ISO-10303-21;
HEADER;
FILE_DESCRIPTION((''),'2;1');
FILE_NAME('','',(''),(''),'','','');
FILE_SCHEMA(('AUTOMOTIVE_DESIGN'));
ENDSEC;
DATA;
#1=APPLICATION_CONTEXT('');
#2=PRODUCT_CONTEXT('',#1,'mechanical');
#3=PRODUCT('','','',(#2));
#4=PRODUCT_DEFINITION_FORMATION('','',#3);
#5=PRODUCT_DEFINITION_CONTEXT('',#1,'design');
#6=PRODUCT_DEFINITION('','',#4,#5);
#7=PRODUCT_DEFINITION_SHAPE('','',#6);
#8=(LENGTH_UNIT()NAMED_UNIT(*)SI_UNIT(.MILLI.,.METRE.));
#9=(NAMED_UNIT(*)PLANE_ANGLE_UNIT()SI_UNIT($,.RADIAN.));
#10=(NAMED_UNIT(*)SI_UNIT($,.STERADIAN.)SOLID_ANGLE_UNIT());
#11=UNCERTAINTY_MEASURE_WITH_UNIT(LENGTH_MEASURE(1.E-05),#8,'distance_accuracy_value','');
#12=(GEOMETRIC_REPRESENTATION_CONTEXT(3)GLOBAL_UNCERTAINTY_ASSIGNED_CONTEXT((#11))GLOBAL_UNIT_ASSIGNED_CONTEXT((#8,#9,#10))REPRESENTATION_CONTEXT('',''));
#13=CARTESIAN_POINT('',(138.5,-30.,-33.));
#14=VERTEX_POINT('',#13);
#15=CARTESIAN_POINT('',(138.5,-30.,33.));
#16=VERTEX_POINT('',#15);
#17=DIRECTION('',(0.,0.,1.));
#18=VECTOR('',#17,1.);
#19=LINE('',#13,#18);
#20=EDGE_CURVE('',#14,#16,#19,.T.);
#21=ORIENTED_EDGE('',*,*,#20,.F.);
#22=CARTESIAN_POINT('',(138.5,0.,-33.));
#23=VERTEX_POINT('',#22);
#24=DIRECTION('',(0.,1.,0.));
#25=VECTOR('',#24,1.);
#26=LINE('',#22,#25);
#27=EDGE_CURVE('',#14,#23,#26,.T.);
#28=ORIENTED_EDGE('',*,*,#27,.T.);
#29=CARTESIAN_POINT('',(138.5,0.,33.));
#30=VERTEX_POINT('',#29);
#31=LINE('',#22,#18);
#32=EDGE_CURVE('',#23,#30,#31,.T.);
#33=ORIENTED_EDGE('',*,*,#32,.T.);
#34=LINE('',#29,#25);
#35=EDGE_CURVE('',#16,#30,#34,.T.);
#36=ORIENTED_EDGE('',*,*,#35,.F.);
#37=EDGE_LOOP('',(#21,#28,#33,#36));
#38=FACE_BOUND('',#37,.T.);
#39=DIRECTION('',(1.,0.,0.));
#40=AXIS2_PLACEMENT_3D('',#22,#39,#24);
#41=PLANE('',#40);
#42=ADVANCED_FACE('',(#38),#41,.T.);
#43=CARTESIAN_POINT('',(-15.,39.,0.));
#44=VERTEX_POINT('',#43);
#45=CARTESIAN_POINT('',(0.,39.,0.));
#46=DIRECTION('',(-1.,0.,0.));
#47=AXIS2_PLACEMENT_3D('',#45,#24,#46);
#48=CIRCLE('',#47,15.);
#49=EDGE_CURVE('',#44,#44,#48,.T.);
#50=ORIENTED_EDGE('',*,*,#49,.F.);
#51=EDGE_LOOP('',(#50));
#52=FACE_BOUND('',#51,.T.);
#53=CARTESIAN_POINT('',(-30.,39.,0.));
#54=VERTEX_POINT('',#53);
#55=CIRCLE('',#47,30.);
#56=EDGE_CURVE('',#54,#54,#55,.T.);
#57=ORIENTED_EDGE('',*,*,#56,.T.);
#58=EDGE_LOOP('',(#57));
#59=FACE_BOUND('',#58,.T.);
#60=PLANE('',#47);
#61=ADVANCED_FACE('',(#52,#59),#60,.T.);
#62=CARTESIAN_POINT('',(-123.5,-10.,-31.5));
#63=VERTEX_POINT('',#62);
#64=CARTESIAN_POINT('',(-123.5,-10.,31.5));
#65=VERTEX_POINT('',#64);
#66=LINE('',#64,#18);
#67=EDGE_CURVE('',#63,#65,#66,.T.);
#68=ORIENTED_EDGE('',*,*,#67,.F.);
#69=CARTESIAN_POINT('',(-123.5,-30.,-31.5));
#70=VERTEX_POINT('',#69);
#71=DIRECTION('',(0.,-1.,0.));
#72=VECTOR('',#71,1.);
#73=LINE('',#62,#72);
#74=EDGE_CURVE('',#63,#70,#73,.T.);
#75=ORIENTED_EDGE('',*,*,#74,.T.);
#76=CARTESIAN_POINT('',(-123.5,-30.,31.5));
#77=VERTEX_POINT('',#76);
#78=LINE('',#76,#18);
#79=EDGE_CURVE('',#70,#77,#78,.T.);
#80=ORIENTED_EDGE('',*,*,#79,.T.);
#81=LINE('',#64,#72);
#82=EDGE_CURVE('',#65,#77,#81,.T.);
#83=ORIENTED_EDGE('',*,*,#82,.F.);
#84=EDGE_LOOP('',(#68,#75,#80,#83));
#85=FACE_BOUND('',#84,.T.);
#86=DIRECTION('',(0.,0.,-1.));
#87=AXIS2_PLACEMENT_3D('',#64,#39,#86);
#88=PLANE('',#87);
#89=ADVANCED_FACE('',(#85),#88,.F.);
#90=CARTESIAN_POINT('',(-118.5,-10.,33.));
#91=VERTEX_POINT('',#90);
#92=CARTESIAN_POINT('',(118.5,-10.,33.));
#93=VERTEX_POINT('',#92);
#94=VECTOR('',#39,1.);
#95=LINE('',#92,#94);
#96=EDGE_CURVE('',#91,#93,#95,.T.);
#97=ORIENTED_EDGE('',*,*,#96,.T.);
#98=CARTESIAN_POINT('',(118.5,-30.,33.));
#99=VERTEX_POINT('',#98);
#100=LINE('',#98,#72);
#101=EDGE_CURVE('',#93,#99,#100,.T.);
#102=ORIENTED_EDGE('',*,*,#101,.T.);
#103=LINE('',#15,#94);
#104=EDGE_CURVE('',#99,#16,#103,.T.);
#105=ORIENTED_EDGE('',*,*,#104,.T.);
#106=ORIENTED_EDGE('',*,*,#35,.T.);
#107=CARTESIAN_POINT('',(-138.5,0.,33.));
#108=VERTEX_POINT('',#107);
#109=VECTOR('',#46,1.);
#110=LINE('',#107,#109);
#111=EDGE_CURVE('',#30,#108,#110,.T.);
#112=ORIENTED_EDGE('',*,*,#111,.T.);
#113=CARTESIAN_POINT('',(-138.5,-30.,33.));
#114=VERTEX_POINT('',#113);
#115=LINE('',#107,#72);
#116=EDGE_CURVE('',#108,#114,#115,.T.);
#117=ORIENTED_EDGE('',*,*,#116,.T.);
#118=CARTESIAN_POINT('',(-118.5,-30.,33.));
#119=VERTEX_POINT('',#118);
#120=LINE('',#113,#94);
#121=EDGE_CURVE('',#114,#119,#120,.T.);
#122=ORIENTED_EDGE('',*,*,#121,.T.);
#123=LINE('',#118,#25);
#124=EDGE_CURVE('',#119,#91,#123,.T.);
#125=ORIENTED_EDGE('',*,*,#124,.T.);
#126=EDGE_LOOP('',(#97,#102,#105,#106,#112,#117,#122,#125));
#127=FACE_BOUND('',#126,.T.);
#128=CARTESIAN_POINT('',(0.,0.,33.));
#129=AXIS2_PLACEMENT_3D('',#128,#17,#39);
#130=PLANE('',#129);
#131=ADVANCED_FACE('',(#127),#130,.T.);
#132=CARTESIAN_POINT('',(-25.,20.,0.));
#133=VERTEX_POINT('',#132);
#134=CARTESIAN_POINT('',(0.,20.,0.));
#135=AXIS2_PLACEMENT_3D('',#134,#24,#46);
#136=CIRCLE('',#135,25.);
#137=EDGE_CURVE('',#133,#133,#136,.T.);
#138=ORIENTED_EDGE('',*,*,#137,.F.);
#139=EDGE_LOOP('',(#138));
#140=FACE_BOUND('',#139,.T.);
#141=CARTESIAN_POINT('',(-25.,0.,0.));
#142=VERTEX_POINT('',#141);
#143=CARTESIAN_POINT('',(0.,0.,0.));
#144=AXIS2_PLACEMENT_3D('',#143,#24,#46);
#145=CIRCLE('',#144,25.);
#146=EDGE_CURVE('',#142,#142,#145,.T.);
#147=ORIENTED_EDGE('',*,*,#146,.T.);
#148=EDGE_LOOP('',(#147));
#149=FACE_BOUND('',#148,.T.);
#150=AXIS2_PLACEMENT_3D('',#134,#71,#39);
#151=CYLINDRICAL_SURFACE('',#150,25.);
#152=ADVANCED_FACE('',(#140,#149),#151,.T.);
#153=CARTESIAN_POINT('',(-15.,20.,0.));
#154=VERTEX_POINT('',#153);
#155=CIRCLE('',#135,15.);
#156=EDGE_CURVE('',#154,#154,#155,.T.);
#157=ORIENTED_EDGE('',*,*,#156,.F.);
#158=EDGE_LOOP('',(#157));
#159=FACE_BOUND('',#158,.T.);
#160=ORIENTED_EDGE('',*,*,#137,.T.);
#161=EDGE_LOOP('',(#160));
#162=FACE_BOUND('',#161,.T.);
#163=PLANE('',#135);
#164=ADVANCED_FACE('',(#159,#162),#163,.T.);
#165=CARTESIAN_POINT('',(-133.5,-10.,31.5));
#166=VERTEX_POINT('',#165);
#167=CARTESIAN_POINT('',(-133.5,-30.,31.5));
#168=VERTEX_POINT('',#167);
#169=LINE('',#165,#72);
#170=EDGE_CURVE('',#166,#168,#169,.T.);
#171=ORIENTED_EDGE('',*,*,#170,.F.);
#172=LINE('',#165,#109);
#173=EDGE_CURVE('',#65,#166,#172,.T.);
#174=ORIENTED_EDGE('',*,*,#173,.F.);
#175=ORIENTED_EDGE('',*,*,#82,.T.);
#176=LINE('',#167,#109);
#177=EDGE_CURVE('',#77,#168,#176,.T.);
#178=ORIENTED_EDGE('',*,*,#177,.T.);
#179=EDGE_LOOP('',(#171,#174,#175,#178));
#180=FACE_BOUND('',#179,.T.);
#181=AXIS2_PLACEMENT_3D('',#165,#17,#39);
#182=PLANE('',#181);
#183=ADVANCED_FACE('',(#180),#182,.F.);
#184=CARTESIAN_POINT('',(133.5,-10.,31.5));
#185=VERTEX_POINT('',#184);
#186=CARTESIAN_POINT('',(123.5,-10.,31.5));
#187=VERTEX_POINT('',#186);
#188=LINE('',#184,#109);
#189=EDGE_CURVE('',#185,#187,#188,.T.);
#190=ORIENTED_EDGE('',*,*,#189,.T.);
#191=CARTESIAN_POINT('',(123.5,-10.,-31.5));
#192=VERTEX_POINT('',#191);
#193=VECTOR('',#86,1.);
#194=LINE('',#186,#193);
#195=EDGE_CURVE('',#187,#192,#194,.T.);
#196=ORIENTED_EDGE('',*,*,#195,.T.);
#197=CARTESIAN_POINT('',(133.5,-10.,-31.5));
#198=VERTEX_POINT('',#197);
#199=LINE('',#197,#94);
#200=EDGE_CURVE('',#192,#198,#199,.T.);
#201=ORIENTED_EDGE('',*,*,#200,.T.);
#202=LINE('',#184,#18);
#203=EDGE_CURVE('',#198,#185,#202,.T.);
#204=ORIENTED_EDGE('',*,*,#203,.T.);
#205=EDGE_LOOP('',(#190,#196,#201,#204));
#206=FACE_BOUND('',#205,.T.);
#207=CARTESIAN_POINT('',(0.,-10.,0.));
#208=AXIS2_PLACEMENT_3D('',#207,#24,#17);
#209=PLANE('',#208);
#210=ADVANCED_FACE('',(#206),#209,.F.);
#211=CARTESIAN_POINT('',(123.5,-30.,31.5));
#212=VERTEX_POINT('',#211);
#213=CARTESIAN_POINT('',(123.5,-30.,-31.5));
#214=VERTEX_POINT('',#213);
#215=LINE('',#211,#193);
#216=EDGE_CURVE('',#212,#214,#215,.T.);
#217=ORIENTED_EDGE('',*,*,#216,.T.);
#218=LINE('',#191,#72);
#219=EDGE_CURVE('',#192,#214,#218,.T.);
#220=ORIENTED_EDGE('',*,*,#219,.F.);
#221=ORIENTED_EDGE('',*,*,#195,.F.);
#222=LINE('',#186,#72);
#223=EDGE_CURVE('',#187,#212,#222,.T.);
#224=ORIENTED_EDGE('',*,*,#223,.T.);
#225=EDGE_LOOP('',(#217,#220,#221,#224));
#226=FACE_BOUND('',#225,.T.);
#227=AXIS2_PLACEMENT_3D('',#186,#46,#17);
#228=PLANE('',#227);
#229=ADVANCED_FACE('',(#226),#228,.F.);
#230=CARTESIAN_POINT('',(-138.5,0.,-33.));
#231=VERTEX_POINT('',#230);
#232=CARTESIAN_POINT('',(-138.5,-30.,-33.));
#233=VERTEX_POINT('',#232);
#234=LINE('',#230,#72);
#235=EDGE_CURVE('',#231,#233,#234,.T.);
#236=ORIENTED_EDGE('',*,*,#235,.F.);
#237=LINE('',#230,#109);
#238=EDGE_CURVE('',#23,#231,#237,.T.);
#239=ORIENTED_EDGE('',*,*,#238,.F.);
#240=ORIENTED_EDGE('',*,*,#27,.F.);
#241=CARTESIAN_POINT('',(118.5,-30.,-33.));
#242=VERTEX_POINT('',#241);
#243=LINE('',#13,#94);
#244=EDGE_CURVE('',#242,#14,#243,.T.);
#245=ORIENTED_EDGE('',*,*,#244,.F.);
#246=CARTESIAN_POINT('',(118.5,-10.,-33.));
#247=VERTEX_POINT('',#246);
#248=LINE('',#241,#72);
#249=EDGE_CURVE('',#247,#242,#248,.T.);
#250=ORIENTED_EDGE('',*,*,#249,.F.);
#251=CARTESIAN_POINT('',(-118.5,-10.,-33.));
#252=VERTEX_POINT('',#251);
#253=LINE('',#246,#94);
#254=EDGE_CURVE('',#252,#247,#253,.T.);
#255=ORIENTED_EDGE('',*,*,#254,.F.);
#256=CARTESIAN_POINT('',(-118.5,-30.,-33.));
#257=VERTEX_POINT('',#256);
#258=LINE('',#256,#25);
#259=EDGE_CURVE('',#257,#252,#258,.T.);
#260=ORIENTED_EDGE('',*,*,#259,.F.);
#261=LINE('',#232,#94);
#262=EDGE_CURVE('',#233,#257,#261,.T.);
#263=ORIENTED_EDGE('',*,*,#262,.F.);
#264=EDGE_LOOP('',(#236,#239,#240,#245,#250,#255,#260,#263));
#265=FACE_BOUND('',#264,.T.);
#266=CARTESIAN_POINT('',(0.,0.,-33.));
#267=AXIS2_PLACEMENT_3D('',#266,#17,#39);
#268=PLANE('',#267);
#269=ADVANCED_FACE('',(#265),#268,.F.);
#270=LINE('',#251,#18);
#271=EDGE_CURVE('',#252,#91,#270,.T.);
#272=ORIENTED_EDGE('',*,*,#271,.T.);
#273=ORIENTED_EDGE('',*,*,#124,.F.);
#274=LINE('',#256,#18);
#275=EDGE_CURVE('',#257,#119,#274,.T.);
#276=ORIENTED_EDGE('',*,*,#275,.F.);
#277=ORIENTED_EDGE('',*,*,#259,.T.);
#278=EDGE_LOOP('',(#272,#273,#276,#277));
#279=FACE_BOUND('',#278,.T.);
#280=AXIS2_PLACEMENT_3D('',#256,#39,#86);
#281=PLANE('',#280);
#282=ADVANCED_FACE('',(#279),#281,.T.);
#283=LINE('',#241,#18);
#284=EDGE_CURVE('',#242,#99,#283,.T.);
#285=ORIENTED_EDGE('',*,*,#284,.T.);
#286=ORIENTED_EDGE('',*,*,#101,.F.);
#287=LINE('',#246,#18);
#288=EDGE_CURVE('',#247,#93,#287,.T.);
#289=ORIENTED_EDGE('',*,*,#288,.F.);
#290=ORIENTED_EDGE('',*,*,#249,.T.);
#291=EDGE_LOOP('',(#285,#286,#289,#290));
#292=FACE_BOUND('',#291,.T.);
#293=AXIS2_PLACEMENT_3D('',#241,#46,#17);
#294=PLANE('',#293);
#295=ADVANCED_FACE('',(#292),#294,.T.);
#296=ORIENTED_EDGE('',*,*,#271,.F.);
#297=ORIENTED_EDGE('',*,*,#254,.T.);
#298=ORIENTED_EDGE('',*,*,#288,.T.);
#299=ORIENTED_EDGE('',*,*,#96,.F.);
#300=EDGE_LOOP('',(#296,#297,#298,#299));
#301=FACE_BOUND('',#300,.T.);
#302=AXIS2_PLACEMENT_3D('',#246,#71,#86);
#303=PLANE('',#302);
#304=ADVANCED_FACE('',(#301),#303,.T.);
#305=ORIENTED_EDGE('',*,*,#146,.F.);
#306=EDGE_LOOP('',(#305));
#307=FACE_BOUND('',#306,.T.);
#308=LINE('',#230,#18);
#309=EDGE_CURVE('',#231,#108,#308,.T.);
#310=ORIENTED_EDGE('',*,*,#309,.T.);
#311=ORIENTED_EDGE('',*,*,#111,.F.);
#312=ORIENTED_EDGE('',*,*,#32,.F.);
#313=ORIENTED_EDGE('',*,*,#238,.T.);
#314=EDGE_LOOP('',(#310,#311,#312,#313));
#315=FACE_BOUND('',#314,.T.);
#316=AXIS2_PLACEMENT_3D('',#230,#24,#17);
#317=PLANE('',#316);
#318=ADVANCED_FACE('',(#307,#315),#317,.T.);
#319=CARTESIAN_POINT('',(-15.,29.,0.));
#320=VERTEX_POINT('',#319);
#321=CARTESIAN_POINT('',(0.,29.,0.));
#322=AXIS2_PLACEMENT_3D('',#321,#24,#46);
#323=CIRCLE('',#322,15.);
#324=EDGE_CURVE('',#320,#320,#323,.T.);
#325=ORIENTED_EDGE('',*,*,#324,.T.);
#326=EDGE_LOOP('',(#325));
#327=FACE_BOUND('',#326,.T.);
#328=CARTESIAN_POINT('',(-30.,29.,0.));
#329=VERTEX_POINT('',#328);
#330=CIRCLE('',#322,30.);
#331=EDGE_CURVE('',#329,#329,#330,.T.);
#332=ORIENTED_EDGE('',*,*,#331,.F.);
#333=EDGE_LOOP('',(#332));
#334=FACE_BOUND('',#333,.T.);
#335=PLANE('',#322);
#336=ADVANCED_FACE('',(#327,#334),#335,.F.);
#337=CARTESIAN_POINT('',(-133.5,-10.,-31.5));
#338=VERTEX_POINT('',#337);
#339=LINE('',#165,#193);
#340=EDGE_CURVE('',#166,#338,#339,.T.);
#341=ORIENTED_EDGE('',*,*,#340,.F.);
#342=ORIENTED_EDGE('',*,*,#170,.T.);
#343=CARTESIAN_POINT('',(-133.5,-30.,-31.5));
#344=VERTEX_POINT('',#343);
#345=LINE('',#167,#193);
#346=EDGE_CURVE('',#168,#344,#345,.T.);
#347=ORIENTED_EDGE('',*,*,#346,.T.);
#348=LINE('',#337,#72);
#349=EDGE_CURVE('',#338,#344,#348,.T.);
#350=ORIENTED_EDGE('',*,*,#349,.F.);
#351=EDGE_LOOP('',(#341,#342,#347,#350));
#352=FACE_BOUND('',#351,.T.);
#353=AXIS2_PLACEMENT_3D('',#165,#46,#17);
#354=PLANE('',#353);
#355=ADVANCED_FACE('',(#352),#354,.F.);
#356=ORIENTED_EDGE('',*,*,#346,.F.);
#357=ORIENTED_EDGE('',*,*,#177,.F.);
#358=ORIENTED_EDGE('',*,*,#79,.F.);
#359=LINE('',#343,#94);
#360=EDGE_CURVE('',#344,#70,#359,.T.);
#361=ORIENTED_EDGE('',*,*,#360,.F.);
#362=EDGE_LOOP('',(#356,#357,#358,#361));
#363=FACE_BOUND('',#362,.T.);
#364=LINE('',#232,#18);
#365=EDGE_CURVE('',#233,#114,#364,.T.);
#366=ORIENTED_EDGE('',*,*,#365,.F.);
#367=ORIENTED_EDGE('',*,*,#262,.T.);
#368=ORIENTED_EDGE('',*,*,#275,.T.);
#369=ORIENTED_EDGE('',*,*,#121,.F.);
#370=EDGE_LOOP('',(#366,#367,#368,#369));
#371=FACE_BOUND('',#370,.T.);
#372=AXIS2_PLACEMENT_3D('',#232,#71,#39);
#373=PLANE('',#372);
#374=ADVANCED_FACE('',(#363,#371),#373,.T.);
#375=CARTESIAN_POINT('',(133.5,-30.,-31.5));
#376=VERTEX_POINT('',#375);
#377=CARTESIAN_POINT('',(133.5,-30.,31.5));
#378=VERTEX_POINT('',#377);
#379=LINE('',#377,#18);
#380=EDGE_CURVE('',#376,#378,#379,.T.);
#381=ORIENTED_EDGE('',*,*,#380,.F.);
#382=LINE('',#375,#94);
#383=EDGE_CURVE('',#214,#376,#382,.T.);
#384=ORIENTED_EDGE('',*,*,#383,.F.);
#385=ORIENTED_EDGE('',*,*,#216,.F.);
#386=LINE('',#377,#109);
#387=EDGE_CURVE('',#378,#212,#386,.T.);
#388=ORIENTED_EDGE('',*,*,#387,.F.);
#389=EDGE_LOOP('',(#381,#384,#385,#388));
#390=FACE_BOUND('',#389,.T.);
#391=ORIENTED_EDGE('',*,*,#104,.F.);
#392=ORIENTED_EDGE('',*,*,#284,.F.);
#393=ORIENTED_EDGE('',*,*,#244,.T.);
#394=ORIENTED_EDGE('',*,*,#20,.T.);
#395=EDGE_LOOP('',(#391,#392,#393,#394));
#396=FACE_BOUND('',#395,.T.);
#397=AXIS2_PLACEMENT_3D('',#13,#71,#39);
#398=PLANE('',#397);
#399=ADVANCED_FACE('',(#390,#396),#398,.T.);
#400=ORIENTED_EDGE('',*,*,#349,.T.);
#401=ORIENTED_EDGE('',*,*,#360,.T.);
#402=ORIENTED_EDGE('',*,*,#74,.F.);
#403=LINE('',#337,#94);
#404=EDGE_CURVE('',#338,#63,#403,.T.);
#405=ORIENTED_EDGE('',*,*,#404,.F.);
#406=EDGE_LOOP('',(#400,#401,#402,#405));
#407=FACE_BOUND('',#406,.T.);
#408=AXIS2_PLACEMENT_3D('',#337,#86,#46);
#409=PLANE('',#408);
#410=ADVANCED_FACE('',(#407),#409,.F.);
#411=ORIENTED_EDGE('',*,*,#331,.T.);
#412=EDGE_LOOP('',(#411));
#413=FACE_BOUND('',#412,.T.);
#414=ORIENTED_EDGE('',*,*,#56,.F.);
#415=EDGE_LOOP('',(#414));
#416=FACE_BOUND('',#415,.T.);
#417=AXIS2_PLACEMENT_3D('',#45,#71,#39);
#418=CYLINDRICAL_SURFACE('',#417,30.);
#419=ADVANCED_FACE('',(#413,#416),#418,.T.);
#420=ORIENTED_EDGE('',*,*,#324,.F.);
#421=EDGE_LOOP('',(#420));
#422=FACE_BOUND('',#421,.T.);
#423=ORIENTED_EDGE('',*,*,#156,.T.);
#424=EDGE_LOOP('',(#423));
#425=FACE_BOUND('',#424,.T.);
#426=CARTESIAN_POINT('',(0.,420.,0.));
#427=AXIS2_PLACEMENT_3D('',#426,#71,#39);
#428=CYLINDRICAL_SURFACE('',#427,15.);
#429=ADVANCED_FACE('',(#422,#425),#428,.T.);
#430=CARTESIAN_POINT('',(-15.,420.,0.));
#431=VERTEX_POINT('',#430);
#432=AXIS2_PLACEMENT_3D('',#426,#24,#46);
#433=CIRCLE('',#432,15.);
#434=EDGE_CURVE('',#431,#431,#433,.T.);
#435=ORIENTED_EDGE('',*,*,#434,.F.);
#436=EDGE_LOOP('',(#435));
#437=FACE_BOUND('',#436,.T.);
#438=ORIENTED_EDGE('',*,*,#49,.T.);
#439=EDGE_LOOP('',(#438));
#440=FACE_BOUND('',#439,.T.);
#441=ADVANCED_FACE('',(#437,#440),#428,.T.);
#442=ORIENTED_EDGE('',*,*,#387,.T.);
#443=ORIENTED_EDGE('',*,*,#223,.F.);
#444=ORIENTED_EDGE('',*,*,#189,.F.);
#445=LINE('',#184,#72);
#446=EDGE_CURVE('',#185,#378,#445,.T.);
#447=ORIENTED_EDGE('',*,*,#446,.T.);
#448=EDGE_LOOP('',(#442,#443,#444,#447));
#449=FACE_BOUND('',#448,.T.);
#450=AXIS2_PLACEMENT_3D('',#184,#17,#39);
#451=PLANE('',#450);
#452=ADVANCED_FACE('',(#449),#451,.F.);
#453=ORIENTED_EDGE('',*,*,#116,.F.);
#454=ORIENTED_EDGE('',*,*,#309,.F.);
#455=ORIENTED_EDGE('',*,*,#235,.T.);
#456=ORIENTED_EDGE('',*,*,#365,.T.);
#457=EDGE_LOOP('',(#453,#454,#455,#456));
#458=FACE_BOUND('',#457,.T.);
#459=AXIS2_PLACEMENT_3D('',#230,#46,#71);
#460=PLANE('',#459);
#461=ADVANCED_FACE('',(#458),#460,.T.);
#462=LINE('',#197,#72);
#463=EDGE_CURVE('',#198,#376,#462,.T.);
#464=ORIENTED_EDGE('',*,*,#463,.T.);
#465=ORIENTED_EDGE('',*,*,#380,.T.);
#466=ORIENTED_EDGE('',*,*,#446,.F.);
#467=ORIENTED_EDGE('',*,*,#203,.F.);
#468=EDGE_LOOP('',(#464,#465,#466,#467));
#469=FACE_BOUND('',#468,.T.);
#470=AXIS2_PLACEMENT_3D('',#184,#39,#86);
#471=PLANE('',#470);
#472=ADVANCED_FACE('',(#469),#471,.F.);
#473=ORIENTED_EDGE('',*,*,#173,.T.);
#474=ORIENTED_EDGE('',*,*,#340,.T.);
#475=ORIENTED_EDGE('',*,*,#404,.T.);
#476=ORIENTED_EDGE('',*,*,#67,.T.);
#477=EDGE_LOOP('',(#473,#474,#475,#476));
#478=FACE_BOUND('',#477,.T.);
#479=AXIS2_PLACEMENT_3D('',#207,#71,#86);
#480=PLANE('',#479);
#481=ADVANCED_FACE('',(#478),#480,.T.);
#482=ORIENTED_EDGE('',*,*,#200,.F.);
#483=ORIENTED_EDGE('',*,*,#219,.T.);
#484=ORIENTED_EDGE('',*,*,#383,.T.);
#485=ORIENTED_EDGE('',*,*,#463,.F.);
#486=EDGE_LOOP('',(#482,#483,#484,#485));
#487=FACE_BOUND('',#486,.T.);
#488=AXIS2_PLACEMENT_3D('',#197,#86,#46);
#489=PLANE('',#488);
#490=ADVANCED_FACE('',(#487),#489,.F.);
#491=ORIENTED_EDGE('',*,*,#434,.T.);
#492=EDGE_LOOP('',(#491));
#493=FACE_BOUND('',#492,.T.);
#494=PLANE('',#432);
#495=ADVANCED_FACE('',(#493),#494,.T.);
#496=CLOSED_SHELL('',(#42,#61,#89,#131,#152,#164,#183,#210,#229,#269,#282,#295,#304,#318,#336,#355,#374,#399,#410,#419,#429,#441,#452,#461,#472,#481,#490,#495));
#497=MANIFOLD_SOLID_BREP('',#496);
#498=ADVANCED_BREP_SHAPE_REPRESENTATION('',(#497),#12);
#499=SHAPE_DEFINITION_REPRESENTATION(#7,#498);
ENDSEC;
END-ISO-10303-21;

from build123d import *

# Parameters (mm, degrees)
BOSS_EXTRUDE1_DEPTH      = 33
BOSS_EXTRUDE1_DEPTH_BACK = 33
SKETCH2_W                = 10
SKETCH2_H                = 63
CUT_EXTRUDE1_DEPTH       = 20
SKETCH3_R                = 25
BOSS_EXTRUDE2_DEPTH      = 20
SKETCH4_R                = 15
BOSS_EXTRUDE3_DEPTH      = 400
SKETCH5_R                = 30
BOSS_EXTRUDE4_DEPTH      = 10


with BuildPart() as part:
    # Sketch1 → Boss-Extrude1 (new, two sides: drawn at the far end of the back side and taken through both)
    with BuildSketch(Plane.XY.offset(-BOSS_EXTRUDE1_DEPTH_BACK)):
        Polygon((-138.5, 0), (138.5, 0), (138.5, -30), (118.5, -30), (118.5, -10), (-118.5, -10), (-118.5, -30), (-138.5, -30), align=None)
    extrude(amount=BOSS_EXTRUDE1_DEPTH + BOSS_EXTRUDE1_DEPTH_BACK)

    # Sketch2 → Cut-Extrude1 (cut)
    with BuildSketch(Plane.XZ.offset(30)):
        with Locations((-128.5, 0)):
            Rectangle(SKETCH2_W, SKETCH2_H)
        with Locations((128.5, 0)):
            Rectangle(SKETCH2_W, SKETCH2_H)
    extrude(amount=-CUT_EXTRUDE1_DEPTH, mode=Mode.SUBTRACT)

    # Sketch3 → Boss-Extrude2 (add)
    with BuildSketch(Plane(origin=(0, 0, 0), x_dir=(1, 0, 0), z_dir=(0, 1, 0))):
        Circle(SKETCH3_R)
    extrude(amount=BOSS_EXTRUDE2_DEPTH)

    # Sketch4 → Boss-Extrude3 (add)
    with BuildSketch(Plane(origin=(0, 20, 0), x_dir=(1, 0, 0), z_dir=(0, 1, 0))):
        Circle(SKETCH4_R)
    extrude(amount=BOSS_EXTRUDE3_DEPTH)

    # Sketch5 → Boss-Extrude4 (add)
    with BuildSketch(Plane(origin=(0, 29, 0), x_dir=(1, 0, 0), z_dir=(0, 1, 0))):
        Circle(SKETCH5_R)
    extrude(amount=BOSS_EXTRUDE4_DEPTH)


solid = part.part
